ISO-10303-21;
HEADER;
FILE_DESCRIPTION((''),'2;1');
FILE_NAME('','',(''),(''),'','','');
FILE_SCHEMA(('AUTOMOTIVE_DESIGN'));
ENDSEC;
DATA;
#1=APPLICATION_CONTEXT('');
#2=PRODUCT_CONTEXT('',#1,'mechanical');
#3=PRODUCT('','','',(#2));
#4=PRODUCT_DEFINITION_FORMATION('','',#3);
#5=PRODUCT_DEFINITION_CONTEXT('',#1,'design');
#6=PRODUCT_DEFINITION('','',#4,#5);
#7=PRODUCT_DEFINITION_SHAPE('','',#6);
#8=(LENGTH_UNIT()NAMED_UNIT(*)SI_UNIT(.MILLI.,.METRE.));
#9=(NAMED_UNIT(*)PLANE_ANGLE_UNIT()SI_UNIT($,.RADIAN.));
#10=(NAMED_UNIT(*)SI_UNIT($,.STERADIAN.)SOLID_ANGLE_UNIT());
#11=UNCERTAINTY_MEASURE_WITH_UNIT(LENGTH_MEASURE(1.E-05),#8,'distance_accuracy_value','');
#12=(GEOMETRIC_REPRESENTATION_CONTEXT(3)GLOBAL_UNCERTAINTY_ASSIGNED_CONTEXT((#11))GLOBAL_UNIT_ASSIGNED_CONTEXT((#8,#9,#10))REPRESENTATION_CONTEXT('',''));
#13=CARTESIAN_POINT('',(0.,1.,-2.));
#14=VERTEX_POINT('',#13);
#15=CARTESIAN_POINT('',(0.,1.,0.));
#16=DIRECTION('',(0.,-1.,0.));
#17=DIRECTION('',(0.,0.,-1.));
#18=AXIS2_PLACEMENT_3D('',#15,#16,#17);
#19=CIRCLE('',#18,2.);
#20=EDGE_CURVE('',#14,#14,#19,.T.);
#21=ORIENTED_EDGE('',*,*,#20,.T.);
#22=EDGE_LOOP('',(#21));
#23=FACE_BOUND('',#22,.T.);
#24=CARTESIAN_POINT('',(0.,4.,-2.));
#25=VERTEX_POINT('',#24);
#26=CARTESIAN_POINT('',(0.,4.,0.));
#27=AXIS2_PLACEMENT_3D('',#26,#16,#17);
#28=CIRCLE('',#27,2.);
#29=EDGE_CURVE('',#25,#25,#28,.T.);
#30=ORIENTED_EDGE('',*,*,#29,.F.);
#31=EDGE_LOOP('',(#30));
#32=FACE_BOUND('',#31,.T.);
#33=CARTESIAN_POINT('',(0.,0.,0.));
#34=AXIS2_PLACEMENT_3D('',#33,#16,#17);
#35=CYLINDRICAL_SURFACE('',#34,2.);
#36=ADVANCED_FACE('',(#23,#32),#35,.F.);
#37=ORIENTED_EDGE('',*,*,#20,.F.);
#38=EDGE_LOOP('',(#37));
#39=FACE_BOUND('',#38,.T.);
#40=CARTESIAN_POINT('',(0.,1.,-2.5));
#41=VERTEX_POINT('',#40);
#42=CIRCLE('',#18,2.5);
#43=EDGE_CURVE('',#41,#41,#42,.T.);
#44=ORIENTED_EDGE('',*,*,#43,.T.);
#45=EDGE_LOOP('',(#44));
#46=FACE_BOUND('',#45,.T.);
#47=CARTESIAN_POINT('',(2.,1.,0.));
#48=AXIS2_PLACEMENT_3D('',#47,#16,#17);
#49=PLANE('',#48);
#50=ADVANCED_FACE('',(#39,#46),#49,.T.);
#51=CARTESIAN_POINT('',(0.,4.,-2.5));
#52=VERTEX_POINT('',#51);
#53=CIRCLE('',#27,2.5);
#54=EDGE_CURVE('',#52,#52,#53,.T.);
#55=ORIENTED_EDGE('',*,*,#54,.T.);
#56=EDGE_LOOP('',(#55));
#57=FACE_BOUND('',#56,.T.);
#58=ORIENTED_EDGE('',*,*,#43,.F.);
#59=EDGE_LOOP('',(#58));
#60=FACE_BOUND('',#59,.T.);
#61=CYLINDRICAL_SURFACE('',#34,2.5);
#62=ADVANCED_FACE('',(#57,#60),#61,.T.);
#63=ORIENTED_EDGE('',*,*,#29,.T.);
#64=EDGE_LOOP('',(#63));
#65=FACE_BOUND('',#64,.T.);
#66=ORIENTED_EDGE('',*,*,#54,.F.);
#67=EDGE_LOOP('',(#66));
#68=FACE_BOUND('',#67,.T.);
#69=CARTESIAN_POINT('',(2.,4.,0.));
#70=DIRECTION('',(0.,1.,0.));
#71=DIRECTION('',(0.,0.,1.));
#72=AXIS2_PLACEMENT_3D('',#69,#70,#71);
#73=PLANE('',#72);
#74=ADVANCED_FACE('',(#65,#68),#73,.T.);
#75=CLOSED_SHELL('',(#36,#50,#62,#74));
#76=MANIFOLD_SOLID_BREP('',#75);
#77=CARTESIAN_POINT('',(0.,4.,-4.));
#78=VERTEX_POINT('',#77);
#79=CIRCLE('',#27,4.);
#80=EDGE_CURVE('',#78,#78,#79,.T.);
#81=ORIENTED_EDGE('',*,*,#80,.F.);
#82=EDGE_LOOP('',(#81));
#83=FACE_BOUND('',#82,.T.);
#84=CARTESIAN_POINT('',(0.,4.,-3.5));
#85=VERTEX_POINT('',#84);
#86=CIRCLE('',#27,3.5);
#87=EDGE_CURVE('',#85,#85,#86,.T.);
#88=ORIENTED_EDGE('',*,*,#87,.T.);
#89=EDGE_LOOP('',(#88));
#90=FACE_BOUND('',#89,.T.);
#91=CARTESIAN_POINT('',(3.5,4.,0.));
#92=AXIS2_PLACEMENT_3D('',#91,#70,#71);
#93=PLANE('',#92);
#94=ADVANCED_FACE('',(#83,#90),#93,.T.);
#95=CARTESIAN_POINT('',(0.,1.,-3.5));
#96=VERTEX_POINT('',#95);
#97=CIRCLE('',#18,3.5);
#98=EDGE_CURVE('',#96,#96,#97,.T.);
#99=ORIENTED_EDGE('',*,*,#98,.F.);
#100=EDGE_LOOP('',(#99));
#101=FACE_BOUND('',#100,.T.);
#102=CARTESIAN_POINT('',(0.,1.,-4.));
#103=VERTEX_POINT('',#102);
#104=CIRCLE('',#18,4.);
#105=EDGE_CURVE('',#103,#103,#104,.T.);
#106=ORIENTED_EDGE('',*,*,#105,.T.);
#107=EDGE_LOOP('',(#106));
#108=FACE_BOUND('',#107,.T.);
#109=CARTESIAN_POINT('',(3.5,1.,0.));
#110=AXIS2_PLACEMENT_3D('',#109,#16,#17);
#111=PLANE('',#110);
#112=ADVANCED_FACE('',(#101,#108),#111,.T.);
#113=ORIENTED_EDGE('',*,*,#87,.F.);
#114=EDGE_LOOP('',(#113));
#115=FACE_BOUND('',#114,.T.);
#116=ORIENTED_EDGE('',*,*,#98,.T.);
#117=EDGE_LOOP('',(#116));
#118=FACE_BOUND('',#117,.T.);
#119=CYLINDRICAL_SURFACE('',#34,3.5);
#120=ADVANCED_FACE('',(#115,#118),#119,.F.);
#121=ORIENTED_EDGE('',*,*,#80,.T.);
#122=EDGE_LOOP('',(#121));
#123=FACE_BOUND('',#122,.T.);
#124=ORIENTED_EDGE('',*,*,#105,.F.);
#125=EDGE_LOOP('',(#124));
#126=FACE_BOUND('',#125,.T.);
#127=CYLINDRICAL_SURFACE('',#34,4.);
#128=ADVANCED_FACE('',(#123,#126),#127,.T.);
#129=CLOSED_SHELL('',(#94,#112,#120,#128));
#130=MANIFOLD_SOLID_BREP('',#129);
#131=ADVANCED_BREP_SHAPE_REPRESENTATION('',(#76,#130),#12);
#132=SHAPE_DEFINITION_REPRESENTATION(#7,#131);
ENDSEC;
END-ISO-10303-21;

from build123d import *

# Parameters (mm, degrees)
ESQUISSE1_W = 0.5
ESQUISSE1_H = 3


with BuildPart() as part:
    # Esquisse1 → Révolution1 (revolve)
    with BuildSketch(Plane.XY, mode=Mode.PRIVATE) as r_volution1_sk:
        with Locations((2.25, 2.5)):
            Rectangle(ESQUISSE1_W, ESQUISSE1_H)
        with Locations((3.75, 2.5)):
            Rectangle(ESQUISSE1_W, ESQUISSE1_H)
    revolve(r_volution1_sk.sketch.rotate(Axis((0, 0, 0), (0, 1, 0)), 90), axis=Axis((0, 0, 0), (0, 1, 0)))


solid = part.part
